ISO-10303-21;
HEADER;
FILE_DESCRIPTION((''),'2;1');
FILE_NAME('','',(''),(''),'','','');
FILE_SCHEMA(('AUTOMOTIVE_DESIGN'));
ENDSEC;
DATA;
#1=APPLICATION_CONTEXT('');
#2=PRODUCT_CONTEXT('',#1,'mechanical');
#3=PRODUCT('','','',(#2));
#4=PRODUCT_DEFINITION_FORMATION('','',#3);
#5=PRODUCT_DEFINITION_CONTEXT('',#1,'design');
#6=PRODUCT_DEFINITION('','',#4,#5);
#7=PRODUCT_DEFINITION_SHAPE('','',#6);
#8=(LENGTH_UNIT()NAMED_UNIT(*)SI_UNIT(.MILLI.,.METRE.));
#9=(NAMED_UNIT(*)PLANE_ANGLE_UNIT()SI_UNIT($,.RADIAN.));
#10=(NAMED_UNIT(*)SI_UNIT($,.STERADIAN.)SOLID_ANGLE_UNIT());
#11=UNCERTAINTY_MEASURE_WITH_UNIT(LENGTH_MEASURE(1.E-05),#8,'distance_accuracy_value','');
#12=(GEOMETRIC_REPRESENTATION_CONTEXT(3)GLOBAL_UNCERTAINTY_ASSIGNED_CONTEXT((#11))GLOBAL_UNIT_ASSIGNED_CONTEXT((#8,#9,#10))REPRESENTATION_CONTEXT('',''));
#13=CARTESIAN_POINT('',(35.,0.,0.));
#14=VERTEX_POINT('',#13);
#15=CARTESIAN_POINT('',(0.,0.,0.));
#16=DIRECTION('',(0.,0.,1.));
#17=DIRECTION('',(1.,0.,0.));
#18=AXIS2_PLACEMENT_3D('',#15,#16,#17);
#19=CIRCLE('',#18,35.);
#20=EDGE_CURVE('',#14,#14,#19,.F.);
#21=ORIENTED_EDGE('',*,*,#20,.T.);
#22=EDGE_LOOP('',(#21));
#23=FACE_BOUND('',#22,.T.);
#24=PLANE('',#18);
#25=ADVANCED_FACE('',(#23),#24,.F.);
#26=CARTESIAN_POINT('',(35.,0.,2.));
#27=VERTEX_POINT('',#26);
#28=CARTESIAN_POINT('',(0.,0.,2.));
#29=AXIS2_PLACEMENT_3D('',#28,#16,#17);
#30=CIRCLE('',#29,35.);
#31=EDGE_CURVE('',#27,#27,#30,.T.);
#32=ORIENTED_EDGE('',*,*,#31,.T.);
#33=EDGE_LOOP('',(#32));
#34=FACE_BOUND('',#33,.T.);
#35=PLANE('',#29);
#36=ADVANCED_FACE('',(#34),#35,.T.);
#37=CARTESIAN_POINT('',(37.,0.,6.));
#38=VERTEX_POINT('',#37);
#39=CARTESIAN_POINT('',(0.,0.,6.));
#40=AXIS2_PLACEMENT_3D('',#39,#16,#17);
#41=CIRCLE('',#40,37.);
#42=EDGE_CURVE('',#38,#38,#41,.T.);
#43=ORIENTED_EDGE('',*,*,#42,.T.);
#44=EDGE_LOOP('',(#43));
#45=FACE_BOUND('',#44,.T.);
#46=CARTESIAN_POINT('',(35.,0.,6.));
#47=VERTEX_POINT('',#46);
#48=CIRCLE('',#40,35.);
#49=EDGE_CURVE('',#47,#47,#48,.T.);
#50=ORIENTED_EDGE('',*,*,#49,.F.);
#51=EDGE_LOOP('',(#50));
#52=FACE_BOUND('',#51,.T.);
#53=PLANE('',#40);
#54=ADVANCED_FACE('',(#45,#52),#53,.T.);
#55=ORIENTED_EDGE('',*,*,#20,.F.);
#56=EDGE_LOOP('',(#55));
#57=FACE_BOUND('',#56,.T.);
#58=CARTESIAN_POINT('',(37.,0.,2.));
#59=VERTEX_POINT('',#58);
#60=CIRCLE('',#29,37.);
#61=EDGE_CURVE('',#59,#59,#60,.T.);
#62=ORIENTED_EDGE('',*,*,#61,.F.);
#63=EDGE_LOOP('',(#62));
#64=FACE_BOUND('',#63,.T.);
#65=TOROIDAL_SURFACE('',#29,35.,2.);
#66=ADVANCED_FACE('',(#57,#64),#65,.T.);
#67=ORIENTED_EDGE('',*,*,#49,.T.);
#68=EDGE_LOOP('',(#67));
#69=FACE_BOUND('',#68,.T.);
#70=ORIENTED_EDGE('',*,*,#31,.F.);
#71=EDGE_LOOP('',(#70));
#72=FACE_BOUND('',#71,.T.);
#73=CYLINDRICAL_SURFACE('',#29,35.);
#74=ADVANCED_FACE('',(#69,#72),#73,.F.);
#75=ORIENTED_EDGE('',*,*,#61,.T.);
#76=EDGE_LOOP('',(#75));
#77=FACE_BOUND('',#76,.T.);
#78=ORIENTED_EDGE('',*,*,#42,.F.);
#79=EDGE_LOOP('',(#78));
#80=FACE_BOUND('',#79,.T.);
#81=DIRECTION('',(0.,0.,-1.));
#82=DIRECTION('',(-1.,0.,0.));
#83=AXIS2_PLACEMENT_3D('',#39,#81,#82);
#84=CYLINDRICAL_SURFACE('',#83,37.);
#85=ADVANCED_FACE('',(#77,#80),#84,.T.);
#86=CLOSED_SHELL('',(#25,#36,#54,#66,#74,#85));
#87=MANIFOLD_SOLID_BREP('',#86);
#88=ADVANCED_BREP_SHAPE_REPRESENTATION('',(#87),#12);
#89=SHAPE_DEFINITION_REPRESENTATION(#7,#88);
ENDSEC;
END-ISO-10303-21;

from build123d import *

# Parameters (mm, degrees)
ESQUISSE1_R             = 37
BOSS_EXTRU_1_DEPTH      = 6
ESQUISSE2_R             = 35
ENL_V_MAT_EXTRU_1_DEPTH = 4
CONG_1_R                = 2


with BuildPart() as part:
    # Esquisse1 → Boss.-Extru.1 (new body)
    with BuildSketch(Plane.XY):
        Circle(ESQUISSE1_R)
    extrude(amount=BOSS_EXTRU_1_DEPTH)

    # Esquisse2 → Enlèv. mat.-Extru.1 (cut)
    with BuildSketch(Plane.XY.offset(6)):
        Circle(ESQUISSE2_R)
    extrude(amount=-ENL_V_MAT_EXTRU_1_DEPTH, mode=Mode.SUBTRACT)

    # Congé1
    cong_1_edges = [part.edges().sort_by_distance(p)[0] for p in [
        (-37, 0, 0),
    ]]
    fillet(cong_1_edges, radius=CONG_1_R)


solid = part.part
